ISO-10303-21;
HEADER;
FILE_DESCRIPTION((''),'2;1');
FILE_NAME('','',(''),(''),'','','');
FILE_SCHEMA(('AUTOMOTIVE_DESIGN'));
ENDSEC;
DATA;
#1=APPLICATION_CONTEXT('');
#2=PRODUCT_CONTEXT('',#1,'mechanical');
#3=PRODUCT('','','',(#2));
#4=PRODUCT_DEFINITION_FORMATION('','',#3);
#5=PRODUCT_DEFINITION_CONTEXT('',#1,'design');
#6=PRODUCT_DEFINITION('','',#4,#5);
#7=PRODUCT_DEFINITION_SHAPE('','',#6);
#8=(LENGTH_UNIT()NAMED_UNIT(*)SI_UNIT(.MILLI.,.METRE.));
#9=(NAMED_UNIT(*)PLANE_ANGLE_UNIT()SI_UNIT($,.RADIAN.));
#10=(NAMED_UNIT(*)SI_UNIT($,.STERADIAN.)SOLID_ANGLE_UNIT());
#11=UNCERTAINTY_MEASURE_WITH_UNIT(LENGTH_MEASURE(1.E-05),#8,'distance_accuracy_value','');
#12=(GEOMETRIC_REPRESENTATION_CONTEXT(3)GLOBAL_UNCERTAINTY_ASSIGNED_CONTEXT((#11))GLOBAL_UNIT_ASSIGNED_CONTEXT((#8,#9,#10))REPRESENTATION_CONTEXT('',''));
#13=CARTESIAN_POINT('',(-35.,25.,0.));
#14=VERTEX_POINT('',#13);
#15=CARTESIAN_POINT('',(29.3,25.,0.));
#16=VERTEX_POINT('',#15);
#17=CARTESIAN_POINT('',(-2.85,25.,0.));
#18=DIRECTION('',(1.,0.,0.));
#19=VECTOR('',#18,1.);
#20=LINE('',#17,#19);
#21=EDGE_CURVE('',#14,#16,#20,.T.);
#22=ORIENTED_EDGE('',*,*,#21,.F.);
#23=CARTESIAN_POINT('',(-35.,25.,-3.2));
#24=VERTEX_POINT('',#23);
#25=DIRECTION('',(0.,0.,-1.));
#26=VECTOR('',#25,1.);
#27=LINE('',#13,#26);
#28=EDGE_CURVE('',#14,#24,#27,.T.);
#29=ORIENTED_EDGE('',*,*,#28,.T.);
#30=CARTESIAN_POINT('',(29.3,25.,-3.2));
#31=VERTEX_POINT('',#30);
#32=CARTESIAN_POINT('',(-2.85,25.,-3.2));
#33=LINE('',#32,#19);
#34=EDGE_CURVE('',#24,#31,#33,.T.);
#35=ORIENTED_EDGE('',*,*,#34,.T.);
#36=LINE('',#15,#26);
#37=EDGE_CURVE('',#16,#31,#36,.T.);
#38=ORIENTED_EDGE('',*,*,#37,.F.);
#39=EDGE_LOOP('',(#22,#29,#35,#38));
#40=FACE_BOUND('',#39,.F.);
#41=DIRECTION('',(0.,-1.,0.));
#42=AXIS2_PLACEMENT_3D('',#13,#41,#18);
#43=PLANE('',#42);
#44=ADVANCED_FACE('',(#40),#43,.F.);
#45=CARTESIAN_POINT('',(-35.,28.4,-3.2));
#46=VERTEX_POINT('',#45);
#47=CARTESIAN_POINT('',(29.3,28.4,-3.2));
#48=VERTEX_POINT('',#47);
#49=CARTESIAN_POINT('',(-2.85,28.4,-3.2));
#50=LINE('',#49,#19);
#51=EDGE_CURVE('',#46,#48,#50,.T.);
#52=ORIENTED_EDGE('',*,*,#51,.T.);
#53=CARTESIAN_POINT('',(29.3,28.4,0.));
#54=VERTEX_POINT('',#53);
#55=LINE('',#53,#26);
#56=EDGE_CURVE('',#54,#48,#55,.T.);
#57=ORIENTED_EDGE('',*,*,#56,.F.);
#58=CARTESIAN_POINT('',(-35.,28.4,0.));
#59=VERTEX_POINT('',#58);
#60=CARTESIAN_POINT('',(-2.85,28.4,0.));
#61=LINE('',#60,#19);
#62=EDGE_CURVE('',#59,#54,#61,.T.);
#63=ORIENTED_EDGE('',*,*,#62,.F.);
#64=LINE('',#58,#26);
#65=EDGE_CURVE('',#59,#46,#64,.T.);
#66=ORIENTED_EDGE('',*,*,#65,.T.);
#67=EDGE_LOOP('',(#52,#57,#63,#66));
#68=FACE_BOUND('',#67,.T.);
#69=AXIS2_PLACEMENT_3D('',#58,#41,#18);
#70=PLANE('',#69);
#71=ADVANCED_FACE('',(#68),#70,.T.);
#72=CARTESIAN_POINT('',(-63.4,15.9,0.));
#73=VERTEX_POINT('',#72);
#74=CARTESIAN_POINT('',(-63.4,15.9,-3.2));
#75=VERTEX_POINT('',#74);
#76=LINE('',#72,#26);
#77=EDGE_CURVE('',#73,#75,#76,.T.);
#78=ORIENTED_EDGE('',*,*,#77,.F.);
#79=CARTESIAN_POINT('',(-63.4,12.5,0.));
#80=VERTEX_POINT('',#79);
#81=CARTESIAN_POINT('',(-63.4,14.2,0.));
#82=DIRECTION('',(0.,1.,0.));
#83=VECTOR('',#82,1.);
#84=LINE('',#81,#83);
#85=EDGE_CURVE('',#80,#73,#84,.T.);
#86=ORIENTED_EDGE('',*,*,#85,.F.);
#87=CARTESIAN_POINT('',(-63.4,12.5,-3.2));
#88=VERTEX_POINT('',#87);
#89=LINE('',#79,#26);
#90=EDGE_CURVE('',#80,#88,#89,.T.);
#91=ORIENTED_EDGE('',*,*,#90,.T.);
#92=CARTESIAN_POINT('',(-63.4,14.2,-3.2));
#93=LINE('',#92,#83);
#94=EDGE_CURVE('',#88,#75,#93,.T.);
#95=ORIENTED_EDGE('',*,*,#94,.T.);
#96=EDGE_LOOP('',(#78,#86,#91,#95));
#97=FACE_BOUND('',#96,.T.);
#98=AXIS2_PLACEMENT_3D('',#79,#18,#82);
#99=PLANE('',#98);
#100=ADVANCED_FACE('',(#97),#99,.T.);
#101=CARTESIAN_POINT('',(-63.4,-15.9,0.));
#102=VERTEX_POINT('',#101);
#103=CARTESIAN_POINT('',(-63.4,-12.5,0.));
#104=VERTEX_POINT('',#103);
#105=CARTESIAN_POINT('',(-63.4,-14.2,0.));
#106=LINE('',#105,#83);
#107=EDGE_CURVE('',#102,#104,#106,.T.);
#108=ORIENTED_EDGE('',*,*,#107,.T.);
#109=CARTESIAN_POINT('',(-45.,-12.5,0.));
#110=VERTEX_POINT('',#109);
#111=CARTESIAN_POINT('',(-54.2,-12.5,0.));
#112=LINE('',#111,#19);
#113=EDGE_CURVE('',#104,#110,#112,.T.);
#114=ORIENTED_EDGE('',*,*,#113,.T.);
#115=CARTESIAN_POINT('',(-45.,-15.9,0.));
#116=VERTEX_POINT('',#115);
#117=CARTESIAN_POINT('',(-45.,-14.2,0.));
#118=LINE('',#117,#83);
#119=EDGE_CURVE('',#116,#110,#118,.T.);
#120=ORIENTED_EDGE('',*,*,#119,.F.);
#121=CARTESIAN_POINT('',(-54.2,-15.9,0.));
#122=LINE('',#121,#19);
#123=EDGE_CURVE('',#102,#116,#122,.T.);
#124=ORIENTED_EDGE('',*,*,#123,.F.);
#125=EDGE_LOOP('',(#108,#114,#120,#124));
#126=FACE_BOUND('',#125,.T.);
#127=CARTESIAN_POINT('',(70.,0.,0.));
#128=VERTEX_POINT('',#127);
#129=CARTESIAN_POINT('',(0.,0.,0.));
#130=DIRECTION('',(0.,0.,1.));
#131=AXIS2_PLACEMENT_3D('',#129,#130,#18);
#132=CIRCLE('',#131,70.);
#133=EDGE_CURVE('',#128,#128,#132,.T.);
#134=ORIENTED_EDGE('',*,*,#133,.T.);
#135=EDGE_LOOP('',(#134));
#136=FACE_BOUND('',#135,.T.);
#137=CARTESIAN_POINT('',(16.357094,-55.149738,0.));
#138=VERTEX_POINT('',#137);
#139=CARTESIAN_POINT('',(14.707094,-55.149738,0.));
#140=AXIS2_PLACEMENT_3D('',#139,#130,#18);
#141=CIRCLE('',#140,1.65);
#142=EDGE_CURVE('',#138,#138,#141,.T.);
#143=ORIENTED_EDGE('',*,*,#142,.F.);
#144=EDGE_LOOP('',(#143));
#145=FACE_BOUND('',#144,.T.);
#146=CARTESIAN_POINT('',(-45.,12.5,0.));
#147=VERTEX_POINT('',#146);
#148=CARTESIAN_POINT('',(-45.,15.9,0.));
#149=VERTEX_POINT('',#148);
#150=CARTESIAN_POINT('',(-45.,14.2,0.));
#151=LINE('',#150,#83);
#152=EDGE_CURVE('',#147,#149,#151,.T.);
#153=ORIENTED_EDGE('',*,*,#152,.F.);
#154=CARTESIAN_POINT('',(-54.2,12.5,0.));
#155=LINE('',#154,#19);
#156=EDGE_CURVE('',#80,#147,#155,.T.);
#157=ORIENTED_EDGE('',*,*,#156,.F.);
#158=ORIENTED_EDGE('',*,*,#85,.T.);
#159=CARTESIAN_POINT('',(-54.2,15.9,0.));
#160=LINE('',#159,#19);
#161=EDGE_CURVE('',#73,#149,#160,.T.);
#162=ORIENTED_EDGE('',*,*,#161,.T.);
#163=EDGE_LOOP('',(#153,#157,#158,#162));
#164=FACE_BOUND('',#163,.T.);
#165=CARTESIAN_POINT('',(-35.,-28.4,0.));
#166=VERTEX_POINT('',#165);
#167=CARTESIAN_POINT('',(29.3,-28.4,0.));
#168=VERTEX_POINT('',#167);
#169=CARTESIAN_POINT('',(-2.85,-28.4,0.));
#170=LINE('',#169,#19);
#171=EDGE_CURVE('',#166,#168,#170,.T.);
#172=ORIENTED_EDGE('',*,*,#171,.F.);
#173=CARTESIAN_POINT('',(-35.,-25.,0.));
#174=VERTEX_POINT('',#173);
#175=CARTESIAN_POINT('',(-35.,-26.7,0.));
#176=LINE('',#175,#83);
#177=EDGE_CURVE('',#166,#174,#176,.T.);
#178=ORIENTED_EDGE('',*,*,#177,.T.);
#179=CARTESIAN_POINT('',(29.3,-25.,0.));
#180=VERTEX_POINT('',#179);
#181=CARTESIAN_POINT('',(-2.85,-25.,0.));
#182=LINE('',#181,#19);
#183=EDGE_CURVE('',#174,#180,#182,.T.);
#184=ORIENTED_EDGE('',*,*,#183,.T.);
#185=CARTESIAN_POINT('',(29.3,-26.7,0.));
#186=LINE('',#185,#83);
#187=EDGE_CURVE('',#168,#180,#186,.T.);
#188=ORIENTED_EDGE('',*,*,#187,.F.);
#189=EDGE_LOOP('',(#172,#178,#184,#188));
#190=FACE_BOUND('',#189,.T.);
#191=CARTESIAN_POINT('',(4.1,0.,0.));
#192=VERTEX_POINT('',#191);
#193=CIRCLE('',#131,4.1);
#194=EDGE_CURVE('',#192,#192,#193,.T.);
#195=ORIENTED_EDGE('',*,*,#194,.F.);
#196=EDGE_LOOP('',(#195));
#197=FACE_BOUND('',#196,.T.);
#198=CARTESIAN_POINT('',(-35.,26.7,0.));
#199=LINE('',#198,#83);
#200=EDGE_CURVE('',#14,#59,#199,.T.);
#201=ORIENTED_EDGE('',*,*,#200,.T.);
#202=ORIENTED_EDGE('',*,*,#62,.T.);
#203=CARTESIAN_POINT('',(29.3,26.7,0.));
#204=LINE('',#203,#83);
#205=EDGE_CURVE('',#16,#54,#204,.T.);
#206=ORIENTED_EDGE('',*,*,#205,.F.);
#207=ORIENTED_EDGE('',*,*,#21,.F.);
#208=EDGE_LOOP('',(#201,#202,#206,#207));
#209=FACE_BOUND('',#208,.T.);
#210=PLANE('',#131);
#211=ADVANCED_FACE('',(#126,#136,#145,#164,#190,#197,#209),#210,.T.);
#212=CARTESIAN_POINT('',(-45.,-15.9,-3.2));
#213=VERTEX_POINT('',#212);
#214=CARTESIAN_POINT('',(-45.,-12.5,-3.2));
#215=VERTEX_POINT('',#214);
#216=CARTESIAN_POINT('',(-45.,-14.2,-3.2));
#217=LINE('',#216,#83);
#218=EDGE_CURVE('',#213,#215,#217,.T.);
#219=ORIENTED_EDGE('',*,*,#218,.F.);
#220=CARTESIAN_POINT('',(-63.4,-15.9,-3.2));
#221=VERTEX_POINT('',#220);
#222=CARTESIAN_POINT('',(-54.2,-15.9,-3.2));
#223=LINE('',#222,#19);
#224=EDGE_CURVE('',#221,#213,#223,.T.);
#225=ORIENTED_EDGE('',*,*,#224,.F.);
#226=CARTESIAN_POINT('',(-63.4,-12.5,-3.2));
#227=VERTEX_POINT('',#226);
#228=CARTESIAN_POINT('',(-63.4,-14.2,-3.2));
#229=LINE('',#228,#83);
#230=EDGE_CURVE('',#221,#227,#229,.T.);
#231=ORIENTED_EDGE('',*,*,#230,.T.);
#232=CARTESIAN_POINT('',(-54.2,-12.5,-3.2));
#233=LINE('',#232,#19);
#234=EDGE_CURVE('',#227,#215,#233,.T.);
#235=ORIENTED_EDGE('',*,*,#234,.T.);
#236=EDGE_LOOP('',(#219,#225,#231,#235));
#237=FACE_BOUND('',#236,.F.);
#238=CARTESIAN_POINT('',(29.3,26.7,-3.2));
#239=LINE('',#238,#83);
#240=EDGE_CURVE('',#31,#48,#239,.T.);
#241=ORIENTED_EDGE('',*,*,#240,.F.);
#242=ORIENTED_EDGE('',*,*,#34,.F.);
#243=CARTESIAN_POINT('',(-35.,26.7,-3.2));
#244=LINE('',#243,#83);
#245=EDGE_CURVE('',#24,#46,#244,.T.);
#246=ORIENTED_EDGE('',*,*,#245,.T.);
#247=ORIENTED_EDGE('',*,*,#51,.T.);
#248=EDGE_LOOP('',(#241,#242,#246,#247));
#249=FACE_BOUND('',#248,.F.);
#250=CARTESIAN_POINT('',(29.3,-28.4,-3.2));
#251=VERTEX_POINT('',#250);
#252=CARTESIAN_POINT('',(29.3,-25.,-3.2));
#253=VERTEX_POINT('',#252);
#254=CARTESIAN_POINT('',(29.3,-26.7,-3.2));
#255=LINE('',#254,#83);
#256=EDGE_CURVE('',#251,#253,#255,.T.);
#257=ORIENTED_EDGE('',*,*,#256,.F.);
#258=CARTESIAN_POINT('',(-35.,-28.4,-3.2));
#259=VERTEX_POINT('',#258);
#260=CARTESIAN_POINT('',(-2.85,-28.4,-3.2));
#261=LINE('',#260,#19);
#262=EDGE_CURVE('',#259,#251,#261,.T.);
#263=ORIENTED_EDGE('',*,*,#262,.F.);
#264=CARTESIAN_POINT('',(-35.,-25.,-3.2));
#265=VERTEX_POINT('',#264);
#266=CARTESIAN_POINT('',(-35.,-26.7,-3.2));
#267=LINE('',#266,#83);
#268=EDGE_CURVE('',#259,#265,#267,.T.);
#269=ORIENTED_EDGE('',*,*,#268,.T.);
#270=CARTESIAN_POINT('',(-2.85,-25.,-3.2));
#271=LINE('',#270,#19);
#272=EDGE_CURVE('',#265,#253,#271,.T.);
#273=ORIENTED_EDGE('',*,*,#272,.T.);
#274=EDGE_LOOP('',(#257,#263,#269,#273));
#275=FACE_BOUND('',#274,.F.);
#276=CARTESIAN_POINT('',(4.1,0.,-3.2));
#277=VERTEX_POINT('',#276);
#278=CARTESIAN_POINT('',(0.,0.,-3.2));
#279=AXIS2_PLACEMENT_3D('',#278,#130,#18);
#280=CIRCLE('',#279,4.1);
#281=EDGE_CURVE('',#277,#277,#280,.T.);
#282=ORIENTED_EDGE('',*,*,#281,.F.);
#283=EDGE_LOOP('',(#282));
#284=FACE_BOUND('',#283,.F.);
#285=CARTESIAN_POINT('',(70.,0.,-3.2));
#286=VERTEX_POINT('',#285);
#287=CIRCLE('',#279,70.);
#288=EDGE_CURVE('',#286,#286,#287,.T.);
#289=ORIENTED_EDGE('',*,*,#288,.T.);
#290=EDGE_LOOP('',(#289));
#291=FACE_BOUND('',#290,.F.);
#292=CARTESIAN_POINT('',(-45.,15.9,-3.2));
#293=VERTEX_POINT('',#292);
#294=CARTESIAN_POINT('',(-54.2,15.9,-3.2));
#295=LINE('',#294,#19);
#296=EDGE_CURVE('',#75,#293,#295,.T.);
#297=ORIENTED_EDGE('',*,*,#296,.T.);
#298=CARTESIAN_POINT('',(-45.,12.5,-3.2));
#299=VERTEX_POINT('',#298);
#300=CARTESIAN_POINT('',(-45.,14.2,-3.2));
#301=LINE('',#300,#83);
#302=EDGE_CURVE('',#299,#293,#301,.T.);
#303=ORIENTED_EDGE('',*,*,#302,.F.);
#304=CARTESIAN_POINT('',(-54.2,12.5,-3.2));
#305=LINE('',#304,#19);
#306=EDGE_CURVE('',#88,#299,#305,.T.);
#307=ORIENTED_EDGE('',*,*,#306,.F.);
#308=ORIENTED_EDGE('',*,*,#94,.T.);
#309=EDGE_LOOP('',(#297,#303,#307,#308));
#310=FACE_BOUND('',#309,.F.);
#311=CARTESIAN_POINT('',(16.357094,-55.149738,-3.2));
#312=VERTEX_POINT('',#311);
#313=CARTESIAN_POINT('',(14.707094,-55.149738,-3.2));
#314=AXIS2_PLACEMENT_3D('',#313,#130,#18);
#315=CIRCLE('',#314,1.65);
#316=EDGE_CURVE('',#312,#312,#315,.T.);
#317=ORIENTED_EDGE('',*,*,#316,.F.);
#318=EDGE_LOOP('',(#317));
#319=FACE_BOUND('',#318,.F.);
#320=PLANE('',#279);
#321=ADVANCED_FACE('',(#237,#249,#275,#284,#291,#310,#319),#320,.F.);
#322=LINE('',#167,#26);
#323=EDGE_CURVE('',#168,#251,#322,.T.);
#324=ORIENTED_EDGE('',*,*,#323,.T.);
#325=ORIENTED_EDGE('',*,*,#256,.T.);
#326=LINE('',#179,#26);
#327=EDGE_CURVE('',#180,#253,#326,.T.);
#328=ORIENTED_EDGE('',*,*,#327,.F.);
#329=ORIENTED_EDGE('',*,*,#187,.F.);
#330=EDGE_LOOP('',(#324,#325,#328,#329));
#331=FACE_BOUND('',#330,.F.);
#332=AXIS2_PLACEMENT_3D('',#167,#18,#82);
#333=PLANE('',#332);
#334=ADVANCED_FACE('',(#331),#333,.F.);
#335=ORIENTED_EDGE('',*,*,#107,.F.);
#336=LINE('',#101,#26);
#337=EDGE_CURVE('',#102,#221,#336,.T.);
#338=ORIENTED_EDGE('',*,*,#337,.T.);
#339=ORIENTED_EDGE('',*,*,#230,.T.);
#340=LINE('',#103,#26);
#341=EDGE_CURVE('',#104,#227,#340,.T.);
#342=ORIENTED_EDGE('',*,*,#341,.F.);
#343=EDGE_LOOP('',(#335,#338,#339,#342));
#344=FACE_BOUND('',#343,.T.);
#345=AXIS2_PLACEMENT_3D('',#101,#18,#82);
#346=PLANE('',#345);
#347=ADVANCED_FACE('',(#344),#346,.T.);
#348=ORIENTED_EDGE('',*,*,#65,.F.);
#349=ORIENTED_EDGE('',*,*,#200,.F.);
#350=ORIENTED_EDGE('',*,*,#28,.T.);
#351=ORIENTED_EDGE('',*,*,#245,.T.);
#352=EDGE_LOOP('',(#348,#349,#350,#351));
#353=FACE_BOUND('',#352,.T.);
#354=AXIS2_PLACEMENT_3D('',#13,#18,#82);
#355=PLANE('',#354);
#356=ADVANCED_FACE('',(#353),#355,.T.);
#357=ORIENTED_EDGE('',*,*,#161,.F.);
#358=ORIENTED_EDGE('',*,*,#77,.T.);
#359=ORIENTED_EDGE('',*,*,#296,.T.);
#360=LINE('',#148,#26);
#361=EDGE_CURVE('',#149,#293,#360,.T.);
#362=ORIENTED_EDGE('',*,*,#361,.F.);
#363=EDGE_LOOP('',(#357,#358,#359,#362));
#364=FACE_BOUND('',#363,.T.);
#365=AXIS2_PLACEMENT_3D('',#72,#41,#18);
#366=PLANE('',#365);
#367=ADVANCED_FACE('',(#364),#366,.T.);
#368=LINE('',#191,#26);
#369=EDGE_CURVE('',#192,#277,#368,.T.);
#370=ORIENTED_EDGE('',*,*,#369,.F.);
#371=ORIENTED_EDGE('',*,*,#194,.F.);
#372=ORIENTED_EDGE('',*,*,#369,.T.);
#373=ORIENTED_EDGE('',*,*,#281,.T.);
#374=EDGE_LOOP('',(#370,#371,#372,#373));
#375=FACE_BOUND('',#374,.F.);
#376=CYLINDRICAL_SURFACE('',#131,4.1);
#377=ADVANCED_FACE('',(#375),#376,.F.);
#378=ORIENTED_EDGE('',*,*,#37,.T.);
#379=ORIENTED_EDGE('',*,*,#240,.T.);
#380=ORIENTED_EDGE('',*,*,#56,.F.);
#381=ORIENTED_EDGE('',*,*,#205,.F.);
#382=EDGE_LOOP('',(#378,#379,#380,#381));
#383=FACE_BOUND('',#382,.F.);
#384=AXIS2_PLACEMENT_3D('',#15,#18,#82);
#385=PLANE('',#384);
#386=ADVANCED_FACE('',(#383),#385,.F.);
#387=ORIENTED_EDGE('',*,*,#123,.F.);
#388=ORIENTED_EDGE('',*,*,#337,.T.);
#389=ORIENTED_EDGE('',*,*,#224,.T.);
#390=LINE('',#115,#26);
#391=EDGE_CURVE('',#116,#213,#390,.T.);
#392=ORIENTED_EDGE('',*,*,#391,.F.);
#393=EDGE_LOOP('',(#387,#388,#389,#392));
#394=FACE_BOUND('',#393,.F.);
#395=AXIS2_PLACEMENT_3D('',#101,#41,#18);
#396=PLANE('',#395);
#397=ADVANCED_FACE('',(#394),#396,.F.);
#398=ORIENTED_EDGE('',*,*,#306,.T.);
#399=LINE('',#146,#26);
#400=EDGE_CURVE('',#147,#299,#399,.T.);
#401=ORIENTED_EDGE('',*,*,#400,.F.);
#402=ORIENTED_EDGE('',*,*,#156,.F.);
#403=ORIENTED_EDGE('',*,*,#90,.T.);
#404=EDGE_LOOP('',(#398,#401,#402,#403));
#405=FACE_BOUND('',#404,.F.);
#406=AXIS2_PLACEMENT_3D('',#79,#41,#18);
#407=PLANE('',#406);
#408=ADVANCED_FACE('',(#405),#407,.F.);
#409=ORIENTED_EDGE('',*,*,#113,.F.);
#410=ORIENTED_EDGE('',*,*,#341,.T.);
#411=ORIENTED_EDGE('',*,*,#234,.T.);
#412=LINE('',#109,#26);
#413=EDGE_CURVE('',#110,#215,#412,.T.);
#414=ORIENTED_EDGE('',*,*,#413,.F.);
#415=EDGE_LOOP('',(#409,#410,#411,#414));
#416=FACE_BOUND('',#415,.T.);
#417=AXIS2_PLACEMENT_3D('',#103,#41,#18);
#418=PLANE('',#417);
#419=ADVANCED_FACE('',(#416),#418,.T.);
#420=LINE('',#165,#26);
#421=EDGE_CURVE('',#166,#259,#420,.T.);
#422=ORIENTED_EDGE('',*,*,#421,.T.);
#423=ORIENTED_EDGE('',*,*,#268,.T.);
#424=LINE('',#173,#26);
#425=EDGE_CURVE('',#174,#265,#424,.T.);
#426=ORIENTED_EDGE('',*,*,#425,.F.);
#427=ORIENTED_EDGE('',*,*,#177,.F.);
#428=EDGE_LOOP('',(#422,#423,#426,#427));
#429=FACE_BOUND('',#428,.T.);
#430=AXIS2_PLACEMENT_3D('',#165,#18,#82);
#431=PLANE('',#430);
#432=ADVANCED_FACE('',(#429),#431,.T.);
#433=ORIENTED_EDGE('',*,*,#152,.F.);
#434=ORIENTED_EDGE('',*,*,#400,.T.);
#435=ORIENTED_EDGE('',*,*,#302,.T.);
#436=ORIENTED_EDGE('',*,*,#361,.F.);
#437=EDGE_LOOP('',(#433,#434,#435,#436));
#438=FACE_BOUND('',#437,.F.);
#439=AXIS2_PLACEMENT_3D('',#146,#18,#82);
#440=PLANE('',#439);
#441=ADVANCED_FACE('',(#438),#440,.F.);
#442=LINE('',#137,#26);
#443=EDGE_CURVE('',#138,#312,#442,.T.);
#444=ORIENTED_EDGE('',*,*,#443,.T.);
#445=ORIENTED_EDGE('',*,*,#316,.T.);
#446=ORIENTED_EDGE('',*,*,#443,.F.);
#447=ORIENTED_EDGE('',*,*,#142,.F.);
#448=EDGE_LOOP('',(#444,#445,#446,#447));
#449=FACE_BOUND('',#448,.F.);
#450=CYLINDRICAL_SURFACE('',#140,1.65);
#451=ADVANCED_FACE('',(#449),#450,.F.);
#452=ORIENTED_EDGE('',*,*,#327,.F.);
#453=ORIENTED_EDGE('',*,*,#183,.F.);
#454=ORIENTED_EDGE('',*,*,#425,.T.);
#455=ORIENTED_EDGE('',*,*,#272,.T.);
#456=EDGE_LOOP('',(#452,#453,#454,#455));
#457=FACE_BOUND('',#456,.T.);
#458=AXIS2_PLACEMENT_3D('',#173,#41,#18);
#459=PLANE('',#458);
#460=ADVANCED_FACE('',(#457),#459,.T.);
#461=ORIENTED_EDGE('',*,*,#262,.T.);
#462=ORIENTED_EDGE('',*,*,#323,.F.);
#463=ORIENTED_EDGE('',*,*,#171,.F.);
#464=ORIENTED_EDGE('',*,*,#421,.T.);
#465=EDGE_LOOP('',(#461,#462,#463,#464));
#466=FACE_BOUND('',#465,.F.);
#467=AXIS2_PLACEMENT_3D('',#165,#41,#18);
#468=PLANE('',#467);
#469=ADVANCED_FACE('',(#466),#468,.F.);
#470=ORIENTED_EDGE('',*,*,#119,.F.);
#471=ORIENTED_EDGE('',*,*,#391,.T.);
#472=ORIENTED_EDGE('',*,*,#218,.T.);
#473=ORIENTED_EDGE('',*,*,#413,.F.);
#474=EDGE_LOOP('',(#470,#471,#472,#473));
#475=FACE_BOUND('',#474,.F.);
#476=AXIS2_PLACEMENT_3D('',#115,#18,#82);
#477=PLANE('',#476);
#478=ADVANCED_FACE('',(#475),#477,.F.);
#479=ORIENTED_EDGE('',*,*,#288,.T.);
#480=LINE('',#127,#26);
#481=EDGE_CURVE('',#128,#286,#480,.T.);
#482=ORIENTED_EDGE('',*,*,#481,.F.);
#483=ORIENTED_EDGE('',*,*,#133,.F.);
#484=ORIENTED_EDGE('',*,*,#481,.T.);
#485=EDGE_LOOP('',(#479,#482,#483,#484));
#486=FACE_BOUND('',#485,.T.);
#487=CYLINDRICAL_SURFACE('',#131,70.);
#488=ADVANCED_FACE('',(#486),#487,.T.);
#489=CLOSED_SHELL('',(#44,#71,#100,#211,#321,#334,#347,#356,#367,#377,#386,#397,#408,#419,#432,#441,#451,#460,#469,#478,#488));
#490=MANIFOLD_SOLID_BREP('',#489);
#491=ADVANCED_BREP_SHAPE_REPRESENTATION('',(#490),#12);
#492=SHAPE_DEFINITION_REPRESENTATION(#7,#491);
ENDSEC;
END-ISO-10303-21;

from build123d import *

# Parameters (mm, degrees)
F0_R     = 70
F0_W     = 18.4
F0_H     = 3.4
F0_W_2   = 64.3
F0_R_2   = 4.1
F1_DEPTH = 3.2
F2_R     = 1.65
F3_DEPTH = 3.2


with BuildPart() as f1:
    # F0 (on Top) → F1 (new body)
    with BuildSketch(Plane.XY):
        Circle(F0_R)
        with Locations((-54.2, -14.2)):
            Rectangle(F0_W, F0_H, mode=Mode.SUBTRACT)
        with Locations((-2.85, -26.7)):
            Rectangle(F0_W_2, F0_H, mode=Mode.SUBTRACT)
        with Locations((-54.2, 14.2)):
            Rectangle(F0_W, F0_H, mode=Mode.SUBTRACT)
        with Locations((-2.85, 26.7)):
            Rectangle(F0_W_2, F0_H, mode=Mode.SUBTRACT)
        Circle(F0_R_2, mode=Mode.SUBTRACT)
    extrude(amount=-F1_DEPTH)

    # F2 (on Top) → F3 (cut)
    with BuildSketch(Plane.XY):
        with Locations((14.707094, -55.149738)):
            Circle(F2_R)
    extrude(amount=-F3_DEPTH, mode=Mode.SUBTRACT)


solid = f1.part
